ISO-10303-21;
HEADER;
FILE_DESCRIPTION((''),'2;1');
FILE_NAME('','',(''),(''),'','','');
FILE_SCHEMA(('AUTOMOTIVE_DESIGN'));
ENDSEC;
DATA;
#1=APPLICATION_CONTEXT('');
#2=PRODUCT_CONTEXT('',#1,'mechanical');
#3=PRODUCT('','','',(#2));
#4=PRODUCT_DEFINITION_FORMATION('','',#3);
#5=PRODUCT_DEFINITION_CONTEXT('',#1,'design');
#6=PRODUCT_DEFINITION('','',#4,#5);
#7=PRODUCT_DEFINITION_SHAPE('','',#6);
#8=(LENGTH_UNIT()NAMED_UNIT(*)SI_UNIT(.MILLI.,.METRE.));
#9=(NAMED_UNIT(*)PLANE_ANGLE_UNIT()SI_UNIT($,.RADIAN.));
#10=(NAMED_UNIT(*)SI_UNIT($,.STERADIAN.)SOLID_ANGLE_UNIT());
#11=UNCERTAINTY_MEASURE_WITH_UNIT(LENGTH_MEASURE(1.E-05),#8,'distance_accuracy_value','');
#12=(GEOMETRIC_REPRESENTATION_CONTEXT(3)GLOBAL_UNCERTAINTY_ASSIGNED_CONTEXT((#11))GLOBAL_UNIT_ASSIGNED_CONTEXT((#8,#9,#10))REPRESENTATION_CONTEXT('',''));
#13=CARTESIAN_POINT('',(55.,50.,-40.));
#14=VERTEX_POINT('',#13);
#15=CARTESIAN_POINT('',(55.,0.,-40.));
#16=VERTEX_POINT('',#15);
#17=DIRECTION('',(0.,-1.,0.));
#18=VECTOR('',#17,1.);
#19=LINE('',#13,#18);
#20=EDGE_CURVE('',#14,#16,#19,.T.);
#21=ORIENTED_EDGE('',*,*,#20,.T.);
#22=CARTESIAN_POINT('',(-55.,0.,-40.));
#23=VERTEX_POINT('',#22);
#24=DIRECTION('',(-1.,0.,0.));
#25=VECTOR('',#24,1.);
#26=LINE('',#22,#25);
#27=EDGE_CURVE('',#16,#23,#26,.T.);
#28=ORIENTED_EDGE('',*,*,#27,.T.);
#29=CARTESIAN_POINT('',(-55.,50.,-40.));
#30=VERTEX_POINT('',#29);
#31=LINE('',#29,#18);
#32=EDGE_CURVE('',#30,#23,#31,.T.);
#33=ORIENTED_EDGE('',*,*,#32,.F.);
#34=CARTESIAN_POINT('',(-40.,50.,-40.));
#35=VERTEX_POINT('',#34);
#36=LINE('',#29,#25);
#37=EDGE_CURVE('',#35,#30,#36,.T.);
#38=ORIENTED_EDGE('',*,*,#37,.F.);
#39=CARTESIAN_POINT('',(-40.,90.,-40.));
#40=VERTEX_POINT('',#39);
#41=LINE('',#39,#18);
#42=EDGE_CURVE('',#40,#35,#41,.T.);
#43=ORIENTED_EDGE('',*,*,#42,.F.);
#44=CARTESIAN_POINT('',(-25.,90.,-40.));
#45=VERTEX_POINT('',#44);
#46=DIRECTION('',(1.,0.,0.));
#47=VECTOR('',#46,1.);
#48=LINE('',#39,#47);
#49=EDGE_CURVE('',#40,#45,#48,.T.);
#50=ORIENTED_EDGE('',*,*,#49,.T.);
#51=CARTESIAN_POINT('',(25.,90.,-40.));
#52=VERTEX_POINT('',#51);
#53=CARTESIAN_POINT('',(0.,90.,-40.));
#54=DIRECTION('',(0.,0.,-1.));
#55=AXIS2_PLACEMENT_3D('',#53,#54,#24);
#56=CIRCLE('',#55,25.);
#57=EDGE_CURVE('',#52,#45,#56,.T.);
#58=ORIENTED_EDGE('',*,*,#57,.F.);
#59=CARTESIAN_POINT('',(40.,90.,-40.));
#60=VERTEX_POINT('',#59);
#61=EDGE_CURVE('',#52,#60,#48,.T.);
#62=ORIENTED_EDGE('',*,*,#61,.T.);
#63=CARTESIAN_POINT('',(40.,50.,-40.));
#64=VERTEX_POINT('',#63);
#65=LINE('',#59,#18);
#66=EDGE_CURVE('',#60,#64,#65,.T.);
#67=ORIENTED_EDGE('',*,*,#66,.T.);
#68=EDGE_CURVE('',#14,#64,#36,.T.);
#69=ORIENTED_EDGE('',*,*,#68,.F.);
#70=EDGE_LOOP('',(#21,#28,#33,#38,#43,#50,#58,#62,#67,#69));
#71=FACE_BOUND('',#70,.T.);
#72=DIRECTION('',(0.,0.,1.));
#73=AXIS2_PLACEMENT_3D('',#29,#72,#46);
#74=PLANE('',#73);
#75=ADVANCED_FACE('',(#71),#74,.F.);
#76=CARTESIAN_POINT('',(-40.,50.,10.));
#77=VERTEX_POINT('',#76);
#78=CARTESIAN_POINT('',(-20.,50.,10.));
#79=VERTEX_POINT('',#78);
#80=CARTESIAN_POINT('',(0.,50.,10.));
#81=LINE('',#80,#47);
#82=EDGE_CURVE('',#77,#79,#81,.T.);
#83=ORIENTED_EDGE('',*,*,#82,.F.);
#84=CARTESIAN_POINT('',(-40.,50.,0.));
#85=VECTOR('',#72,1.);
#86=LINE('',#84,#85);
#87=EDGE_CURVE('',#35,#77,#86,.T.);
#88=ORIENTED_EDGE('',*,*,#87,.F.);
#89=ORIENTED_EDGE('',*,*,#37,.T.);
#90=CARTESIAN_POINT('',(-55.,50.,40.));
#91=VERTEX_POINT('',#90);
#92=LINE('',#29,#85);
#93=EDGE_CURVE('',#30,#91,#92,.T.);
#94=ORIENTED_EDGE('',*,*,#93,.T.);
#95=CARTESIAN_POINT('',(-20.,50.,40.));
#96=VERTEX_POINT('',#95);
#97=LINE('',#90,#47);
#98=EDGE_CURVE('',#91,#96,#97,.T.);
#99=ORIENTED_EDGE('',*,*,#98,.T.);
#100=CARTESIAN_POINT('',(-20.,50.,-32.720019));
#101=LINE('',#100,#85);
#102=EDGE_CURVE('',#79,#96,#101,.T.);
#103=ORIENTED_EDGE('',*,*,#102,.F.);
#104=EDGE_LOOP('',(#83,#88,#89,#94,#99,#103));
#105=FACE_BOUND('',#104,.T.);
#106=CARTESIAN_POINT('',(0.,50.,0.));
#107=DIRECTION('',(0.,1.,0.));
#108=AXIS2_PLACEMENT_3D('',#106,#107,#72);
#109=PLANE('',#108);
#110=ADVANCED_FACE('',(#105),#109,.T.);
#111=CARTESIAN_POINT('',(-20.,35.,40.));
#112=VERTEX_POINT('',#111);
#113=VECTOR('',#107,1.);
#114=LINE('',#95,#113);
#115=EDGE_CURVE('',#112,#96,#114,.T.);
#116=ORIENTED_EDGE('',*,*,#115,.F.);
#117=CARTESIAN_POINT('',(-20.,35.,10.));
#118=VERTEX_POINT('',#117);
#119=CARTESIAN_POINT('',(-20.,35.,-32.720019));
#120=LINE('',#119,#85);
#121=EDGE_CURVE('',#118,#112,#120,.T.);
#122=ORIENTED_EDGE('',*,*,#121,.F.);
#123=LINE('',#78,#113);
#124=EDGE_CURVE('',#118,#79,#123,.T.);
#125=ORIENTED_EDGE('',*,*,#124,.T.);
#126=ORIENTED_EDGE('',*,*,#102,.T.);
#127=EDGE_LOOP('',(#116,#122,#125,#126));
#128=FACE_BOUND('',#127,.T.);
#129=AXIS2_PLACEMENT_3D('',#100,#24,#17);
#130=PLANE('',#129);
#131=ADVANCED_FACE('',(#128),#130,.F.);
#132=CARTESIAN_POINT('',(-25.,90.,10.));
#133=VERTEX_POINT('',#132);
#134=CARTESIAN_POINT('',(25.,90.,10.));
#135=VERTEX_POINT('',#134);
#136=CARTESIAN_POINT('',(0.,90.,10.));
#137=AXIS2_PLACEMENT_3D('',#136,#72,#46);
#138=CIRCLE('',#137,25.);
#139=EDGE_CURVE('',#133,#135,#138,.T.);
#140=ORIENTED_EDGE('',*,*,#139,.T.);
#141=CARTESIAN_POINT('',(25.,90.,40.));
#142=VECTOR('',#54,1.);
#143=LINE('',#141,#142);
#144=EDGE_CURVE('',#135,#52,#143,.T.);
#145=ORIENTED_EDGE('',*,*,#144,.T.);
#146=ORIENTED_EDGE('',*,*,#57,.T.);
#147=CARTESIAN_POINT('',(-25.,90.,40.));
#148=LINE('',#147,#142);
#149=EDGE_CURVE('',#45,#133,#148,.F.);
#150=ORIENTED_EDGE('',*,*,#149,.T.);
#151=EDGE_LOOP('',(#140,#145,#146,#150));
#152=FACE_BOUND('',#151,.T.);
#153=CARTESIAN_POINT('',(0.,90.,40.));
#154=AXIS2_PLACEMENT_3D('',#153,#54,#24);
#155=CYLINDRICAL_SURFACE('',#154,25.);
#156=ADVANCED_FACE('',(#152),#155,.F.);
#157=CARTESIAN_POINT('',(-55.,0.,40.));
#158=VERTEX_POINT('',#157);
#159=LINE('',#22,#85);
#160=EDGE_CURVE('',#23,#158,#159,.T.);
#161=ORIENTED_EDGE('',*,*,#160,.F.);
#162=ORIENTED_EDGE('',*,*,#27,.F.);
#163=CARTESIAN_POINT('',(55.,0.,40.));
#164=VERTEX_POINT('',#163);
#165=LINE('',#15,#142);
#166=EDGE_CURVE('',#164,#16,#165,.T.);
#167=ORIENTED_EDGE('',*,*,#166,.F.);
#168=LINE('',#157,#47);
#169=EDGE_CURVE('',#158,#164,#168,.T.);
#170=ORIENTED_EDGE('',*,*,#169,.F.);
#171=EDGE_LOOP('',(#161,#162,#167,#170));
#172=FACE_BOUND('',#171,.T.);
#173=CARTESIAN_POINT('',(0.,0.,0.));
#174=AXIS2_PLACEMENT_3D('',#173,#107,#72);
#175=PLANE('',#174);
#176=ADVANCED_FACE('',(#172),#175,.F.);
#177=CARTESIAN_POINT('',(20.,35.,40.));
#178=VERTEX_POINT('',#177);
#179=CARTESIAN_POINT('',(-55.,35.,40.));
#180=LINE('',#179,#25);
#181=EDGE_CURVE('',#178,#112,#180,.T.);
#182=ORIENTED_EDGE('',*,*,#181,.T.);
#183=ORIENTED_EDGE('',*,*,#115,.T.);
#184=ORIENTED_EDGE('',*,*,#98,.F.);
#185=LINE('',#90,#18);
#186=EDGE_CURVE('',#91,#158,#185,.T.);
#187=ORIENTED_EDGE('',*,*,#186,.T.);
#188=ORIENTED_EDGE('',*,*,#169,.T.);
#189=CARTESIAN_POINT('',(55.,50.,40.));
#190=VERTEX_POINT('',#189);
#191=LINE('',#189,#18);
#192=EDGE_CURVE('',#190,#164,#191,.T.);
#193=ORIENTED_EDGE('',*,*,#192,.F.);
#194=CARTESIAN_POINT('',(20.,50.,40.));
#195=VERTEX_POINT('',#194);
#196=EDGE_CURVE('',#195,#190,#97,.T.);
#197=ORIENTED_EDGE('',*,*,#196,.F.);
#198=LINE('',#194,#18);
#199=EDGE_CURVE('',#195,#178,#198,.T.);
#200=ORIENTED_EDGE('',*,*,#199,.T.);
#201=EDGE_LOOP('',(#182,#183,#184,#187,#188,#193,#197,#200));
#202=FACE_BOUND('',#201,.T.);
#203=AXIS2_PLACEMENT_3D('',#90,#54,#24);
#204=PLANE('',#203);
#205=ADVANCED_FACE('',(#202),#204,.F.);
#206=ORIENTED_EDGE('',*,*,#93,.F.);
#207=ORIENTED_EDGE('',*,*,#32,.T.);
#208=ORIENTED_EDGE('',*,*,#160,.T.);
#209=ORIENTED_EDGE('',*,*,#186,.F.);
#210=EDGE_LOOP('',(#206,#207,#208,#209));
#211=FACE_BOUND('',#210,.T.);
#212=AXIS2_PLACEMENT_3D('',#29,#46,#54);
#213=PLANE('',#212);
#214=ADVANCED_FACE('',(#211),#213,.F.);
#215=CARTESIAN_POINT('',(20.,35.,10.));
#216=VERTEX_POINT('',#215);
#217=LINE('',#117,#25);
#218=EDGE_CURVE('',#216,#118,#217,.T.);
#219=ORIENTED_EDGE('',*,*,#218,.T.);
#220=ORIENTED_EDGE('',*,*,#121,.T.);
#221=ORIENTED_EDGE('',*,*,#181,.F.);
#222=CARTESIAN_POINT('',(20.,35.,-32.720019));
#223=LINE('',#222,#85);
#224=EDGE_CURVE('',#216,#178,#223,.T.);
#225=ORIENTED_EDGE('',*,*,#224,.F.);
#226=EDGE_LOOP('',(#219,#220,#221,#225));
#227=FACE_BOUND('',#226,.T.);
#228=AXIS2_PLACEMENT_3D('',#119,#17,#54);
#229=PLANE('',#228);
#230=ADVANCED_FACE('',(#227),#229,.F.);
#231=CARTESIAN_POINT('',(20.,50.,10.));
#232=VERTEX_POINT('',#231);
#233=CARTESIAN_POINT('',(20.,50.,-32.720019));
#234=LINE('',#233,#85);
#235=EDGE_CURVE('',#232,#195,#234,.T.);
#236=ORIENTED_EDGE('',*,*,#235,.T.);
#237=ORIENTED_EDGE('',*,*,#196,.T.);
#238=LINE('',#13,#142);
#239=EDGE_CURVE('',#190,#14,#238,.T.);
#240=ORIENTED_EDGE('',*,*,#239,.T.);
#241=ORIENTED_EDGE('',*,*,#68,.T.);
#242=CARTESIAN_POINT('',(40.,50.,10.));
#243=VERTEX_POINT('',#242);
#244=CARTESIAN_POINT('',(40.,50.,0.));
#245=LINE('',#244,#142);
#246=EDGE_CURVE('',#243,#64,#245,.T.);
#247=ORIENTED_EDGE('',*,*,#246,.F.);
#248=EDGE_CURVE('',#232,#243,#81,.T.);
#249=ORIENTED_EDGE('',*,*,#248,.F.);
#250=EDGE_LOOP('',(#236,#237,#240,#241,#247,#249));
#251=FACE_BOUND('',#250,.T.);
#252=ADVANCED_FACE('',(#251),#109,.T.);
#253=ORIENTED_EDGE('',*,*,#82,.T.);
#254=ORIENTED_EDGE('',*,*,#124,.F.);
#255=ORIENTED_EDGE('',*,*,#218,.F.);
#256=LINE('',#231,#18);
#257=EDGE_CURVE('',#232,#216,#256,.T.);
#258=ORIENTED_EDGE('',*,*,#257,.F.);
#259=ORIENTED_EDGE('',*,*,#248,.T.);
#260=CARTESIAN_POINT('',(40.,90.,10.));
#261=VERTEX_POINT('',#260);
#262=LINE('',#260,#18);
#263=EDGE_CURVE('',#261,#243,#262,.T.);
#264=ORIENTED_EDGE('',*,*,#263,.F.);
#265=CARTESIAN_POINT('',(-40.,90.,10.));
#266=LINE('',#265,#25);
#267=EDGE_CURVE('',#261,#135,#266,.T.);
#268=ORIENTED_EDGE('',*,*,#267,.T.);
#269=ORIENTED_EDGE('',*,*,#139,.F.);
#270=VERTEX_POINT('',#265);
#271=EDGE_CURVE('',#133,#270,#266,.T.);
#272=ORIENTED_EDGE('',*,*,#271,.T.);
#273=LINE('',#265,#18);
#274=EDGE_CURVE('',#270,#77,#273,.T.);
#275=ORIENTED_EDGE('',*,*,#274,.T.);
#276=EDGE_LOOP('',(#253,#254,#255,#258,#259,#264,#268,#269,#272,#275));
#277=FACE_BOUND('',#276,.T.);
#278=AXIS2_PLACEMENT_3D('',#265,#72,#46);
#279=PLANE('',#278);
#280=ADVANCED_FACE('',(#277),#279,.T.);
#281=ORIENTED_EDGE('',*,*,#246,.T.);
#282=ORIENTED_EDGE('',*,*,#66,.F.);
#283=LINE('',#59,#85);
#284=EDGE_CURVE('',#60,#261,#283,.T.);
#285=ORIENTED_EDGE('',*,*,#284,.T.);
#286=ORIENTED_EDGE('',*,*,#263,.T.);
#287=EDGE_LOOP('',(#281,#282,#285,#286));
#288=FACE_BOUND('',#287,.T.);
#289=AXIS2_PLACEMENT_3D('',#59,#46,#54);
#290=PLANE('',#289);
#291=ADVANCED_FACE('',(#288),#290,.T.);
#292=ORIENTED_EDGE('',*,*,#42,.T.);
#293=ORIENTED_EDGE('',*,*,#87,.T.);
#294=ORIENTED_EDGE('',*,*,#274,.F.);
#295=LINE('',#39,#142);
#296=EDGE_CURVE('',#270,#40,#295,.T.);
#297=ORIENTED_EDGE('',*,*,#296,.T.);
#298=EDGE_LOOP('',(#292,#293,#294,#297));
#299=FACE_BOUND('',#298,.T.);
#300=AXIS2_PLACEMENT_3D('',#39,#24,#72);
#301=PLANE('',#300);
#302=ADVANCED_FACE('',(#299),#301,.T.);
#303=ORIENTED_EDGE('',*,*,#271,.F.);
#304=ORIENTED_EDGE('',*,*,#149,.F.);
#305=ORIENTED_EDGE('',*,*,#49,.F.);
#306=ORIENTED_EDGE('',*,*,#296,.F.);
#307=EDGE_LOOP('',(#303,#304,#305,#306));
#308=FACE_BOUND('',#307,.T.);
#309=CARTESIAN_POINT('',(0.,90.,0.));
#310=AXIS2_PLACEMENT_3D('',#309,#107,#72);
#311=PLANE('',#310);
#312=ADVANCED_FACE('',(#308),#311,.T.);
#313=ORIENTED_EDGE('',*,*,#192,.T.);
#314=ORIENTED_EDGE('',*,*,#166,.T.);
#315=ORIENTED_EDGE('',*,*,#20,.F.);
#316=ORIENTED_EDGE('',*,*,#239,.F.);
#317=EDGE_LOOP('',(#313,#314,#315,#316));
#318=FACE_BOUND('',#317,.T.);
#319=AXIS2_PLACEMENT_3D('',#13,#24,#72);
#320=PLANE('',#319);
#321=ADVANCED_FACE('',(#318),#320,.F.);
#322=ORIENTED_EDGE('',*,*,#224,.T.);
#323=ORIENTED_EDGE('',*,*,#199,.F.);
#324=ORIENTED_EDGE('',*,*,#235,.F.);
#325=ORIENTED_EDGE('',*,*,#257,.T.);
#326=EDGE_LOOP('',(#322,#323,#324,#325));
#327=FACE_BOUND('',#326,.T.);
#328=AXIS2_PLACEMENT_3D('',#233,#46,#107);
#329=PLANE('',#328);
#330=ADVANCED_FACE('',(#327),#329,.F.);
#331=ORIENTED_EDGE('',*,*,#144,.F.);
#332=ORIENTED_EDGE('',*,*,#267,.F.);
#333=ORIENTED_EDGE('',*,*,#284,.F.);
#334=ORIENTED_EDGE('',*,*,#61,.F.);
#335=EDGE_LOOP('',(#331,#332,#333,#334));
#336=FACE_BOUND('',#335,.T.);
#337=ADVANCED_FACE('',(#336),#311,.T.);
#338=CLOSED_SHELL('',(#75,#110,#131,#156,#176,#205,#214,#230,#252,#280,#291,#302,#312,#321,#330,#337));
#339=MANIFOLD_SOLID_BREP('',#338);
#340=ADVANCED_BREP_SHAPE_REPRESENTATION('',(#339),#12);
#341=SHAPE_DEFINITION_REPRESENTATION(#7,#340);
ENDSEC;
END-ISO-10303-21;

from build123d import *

# Parameters (mm, degrees)
SKETCH3_W               = 110
SKETCH3_H               = 80
BOSS_EXTRUDE2_DEPTH     = 50
SKETCH6_W               = 80
SKETCH6_H               = 50
BOSS_EXTRUDE3_DEPTH     = 90
SKETCH7_R               = 25
CUT_EXTRUDE1_DEPTH      = 133.382022949
CUT_EXTRUDE2_DEPTH      = 133.382022949
CUT_EXTRUDE2_DEPTH_BACK = 30
SKETCH8_W               = 40
SKETCH8_H               = 15


with BuildPart() as part:
    # Sketch3 → Boss-Extrude2 (new body)
    with BuildSketch(Plane(origin=(0, 0, 0), x_dir=(1, 0, 0), z_dir=(0, 1, 0))):
        Rectangle(SKETCH3_W, SKETCH3_H)
    extrude(amount=BOSS_EXTRUDE2_DEPTH)

    # Sketch6 → Boss-Extrude3 (add)
    with BuildSketch(Plane.XZ):
        with Locations((0, -15)):
            Rectangle(SKETCH6_W, SKETCH6_H)
    extrude(amount=-BOSS_EXTRUDE3_DEPTH)

    # Sketch7 → Cut-Extrude1 (cut, through all)
    with BuildSketch(Plane(origin=(0, 0, -40), x_dir=(-1, 0, 0), z_dir=(0, 0, -1))):
        with Locations((0, 90)):
            Circle(SKETCH7_R)
    extrude(amount=-CUT_EXTRUDE1_DEPTH, mode=Mode.SUBTRACT)

    # Sketch8 → Cut-Extrude2 (cut, two sides: drawn at the far end of the back side and taken through both)
    with BuildSketch(Plane.XY.offset(40).offset(-CUT_EXTRUDE2_DEPTH_BACK)):
        with Locations((0, 42.5)):
            Rectangle(SKETCH8_W, SKETCH8_H)
    extrude(amount=CUT_EXTRUDE2_DEPTH + CUT_EXTRUDE2_DEPTH_BACK, mode=Mode.SUBTRACT)


solid = part.part
